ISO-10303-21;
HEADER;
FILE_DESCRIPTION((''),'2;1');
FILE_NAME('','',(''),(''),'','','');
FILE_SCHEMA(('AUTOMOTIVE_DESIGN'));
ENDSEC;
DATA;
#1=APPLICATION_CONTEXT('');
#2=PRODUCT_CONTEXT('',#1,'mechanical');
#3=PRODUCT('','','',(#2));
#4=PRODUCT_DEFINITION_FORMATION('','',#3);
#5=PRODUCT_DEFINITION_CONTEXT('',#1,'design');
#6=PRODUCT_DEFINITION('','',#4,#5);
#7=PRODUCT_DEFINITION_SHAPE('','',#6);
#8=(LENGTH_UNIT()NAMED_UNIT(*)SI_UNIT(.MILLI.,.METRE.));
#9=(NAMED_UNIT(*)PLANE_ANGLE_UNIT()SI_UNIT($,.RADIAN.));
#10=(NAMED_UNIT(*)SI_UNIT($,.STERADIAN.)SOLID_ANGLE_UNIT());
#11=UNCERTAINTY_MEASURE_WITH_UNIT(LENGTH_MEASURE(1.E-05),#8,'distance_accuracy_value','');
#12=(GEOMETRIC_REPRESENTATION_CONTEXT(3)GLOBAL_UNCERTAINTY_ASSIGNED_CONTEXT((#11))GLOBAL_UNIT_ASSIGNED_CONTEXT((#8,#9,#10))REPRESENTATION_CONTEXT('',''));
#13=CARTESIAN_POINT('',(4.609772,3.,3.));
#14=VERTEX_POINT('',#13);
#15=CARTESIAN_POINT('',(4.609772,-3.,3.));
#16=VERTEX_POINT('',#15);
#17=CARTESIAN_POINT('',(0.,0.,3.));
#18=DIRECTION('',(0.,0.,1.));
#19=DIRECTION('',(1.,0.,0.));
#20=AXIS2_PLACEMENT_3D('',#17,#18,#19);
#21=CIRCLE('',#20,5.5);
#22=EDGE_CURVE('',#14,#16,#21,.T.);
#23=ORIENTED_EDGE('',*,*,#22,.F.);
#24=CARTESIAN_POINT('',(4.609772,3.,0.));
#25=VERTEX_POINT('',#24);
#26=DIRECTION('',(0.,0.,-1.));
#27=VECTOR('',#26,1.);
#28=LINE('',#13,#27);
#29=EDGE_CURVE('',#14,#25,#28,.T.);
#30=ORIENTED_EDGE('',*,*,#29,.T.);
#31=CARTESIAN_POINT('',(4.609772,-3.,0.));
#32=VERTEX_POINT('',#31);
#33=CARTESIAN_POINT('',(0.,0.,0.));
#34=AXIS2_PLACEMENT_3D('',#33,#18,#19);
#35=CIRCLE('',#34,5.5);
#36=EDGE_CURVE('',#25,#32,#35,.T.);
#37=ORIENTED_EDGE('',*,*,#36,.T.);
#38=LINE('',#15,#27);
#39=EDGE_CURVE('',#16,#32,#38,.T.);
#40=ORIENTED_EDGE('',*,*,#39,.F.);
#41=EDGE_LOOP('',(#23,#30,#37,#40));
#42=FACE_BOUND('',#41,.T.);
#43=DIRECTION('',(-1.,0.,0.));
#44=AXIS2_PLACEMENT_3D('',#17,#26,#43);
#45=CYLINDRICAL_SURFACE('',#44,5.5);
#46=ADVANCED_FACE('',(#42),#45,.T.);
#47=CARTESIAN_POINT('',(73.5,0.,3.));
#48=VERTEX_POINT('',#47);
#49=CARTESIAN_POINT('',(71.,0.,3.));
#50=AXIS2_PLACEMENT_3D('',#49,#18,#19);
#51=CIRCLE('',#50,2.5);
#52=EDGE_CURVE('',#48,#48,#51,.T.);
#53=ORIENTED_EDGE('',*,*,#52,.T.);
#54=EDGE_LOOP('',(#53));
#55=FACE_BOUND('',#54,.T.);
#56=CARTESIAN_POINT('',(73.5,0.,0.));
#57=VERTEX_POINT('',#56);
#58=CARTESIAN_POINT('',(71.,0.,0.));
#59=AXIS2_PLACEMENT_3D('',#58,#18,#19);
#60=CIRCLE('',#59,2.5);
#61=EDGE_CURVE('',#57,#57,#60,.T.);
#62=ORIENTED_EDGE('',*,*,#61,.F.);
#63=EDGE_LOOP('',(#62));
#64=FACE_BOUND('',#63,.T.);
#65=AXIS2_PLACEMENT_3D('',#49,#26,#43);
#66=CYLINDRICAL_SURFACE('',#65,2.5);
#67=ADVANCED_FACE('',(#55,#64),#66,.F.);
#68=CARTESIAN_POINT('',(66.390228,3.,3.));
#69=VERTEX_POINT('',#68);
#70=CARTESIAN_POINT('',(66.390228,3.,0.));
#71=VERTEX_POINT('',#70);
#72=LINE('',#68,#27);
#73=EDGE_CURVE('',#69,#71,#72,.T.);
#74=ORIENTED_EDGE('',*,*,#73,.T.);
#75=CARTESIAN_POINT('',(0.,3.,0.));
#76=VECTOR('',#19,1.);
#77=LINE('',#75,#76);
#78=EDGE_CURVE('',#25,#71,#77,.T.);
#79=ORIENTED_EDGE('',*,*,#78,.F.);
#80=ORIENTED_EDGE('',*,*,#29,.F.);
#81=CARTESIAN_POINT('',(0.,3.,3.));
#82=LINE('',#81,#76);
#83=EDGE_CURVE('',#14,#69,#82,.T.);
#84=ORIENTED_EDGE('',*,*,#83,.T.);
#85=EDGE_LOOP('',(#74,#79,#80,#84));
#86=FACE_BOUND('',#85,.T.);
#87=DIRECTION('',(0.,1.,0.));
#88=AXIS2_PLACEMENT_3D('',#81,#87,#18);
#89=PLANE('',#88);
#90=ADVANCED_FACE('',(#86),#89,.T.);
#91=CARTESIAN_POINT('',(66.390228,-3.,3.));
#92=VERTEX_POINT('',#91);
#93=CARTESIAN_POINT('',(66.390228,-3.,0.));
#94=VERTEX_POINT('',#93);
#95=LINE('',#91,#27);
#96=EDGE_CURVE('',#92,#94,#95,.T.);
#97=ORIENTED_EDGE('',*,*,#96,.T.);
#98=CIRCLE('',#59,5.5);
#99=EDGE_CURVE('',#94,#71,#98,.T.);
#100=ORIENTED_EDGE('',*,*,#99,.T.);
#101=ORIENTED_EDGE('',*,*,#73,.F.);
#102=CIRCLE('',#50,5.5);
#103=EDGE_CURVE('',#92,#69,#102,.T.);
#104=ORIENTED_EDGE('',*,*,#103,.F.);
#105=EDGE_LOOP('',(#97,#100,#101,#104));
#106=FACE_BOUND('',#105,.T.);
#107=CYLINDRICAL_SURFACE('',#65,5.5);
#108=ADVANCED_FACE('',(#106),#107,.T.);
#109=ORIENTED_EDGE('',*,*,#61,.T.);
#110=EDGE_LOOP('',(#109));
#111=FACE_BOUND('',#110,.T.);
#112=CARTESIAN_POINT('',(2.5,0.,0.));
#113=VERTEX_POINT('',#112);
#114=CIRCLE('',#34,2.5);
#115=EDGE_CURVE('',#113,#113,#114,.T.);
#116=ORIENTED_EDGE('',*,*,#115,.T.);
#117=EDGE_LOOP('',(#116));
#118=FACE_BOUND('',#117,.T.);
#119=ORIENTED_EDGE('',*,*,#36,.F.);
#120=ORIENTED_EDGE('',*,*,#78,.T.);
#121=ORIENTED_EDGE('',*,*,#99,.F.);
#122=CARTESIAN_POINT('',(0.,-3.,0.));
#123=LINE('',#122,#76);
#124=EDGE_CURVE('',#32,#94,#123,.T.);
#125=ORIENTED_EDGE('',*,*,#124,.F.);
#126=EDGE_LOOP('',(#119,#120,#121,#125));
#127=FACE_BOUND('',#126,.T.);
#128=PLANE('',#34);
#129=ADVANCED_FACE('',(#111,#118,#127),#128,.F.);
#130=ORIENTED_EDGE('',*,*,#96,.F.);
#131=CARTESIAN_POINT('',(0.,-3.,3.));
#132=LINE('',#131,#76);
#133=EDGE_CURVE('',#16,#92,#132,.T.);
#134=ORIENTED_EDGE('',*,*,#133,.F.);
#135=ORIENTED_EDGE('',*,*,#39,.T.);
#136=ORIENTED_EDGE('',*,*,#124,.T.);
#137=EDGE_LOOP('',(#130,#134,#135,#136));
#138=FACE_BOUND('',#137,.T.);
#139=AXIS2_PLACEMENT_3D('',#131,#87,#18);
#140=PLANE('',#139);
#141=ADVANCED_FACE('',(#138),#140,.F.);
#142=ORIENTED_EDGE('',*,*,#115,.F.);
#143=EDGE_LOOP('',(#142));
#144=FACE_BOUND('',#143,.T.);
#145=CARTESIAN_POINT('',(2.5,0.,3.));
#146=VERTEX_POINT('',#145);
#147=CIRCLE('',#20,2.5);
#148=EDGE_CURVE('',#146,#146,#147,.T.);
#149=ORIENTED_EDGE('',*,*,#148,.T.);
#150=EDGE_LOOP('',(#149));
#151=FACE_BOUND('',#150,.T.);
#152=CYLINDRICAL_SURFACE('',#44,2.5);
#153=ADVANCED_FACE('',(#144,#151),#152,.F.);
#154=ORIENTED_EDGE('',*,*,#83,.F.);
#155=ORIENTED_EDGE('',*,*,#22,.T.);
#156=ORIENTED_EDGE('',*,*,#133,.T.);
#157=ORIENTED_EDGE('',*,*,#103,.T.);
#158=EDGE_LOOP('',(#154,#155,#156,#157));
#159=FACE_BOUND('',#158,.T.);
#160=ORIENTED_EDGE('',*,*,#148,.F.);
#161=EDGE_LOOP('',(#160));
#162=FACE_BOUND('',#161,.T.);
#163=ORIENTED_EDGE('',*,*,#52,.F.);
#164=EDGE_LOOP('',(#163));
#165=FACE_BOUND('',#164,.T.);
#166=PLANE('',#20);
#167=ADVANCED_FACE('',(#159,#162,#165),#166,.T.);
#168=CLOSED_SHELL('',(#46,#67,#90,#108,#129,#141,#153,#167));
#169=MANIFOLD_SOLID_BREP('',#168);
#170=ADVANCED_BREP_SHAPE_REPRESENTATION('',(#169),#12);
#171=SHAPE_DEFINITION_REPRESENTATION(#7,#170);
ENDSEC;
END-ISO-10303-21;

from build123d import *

# Parameters (mm, degrees)
SKETCH_1_R      = 2.5
EXTRUDE_1_DEPTH = 3


with BuildPart() as part:
    # 草图1 → 凸台-拉伸1 (new body)
    with BuildSketch(Plane.XY):
        with BuildLine():
            ThreePointArc((4.609772229, 3), (-5.5, 0), (4.609772229, -3))
            Line((4.609772229, -3), (66.390227771, -3))
            ThreePointArc((66.390227771, -3), (76.5, 0), (66.390227771, 3))
            Line((66.390227771, 3), (4.609772229, 3))
        make_face()
        Circle(SKETCH_1_R, mode=Mode.SUBTRACT)
        with Locations((71, 0)):
            Circle(SKETCH_1_R, mode=Mode.SUBTRACT)
    extrude(amount=EXTRUDE_1_DEPTH)


solid = part.part
